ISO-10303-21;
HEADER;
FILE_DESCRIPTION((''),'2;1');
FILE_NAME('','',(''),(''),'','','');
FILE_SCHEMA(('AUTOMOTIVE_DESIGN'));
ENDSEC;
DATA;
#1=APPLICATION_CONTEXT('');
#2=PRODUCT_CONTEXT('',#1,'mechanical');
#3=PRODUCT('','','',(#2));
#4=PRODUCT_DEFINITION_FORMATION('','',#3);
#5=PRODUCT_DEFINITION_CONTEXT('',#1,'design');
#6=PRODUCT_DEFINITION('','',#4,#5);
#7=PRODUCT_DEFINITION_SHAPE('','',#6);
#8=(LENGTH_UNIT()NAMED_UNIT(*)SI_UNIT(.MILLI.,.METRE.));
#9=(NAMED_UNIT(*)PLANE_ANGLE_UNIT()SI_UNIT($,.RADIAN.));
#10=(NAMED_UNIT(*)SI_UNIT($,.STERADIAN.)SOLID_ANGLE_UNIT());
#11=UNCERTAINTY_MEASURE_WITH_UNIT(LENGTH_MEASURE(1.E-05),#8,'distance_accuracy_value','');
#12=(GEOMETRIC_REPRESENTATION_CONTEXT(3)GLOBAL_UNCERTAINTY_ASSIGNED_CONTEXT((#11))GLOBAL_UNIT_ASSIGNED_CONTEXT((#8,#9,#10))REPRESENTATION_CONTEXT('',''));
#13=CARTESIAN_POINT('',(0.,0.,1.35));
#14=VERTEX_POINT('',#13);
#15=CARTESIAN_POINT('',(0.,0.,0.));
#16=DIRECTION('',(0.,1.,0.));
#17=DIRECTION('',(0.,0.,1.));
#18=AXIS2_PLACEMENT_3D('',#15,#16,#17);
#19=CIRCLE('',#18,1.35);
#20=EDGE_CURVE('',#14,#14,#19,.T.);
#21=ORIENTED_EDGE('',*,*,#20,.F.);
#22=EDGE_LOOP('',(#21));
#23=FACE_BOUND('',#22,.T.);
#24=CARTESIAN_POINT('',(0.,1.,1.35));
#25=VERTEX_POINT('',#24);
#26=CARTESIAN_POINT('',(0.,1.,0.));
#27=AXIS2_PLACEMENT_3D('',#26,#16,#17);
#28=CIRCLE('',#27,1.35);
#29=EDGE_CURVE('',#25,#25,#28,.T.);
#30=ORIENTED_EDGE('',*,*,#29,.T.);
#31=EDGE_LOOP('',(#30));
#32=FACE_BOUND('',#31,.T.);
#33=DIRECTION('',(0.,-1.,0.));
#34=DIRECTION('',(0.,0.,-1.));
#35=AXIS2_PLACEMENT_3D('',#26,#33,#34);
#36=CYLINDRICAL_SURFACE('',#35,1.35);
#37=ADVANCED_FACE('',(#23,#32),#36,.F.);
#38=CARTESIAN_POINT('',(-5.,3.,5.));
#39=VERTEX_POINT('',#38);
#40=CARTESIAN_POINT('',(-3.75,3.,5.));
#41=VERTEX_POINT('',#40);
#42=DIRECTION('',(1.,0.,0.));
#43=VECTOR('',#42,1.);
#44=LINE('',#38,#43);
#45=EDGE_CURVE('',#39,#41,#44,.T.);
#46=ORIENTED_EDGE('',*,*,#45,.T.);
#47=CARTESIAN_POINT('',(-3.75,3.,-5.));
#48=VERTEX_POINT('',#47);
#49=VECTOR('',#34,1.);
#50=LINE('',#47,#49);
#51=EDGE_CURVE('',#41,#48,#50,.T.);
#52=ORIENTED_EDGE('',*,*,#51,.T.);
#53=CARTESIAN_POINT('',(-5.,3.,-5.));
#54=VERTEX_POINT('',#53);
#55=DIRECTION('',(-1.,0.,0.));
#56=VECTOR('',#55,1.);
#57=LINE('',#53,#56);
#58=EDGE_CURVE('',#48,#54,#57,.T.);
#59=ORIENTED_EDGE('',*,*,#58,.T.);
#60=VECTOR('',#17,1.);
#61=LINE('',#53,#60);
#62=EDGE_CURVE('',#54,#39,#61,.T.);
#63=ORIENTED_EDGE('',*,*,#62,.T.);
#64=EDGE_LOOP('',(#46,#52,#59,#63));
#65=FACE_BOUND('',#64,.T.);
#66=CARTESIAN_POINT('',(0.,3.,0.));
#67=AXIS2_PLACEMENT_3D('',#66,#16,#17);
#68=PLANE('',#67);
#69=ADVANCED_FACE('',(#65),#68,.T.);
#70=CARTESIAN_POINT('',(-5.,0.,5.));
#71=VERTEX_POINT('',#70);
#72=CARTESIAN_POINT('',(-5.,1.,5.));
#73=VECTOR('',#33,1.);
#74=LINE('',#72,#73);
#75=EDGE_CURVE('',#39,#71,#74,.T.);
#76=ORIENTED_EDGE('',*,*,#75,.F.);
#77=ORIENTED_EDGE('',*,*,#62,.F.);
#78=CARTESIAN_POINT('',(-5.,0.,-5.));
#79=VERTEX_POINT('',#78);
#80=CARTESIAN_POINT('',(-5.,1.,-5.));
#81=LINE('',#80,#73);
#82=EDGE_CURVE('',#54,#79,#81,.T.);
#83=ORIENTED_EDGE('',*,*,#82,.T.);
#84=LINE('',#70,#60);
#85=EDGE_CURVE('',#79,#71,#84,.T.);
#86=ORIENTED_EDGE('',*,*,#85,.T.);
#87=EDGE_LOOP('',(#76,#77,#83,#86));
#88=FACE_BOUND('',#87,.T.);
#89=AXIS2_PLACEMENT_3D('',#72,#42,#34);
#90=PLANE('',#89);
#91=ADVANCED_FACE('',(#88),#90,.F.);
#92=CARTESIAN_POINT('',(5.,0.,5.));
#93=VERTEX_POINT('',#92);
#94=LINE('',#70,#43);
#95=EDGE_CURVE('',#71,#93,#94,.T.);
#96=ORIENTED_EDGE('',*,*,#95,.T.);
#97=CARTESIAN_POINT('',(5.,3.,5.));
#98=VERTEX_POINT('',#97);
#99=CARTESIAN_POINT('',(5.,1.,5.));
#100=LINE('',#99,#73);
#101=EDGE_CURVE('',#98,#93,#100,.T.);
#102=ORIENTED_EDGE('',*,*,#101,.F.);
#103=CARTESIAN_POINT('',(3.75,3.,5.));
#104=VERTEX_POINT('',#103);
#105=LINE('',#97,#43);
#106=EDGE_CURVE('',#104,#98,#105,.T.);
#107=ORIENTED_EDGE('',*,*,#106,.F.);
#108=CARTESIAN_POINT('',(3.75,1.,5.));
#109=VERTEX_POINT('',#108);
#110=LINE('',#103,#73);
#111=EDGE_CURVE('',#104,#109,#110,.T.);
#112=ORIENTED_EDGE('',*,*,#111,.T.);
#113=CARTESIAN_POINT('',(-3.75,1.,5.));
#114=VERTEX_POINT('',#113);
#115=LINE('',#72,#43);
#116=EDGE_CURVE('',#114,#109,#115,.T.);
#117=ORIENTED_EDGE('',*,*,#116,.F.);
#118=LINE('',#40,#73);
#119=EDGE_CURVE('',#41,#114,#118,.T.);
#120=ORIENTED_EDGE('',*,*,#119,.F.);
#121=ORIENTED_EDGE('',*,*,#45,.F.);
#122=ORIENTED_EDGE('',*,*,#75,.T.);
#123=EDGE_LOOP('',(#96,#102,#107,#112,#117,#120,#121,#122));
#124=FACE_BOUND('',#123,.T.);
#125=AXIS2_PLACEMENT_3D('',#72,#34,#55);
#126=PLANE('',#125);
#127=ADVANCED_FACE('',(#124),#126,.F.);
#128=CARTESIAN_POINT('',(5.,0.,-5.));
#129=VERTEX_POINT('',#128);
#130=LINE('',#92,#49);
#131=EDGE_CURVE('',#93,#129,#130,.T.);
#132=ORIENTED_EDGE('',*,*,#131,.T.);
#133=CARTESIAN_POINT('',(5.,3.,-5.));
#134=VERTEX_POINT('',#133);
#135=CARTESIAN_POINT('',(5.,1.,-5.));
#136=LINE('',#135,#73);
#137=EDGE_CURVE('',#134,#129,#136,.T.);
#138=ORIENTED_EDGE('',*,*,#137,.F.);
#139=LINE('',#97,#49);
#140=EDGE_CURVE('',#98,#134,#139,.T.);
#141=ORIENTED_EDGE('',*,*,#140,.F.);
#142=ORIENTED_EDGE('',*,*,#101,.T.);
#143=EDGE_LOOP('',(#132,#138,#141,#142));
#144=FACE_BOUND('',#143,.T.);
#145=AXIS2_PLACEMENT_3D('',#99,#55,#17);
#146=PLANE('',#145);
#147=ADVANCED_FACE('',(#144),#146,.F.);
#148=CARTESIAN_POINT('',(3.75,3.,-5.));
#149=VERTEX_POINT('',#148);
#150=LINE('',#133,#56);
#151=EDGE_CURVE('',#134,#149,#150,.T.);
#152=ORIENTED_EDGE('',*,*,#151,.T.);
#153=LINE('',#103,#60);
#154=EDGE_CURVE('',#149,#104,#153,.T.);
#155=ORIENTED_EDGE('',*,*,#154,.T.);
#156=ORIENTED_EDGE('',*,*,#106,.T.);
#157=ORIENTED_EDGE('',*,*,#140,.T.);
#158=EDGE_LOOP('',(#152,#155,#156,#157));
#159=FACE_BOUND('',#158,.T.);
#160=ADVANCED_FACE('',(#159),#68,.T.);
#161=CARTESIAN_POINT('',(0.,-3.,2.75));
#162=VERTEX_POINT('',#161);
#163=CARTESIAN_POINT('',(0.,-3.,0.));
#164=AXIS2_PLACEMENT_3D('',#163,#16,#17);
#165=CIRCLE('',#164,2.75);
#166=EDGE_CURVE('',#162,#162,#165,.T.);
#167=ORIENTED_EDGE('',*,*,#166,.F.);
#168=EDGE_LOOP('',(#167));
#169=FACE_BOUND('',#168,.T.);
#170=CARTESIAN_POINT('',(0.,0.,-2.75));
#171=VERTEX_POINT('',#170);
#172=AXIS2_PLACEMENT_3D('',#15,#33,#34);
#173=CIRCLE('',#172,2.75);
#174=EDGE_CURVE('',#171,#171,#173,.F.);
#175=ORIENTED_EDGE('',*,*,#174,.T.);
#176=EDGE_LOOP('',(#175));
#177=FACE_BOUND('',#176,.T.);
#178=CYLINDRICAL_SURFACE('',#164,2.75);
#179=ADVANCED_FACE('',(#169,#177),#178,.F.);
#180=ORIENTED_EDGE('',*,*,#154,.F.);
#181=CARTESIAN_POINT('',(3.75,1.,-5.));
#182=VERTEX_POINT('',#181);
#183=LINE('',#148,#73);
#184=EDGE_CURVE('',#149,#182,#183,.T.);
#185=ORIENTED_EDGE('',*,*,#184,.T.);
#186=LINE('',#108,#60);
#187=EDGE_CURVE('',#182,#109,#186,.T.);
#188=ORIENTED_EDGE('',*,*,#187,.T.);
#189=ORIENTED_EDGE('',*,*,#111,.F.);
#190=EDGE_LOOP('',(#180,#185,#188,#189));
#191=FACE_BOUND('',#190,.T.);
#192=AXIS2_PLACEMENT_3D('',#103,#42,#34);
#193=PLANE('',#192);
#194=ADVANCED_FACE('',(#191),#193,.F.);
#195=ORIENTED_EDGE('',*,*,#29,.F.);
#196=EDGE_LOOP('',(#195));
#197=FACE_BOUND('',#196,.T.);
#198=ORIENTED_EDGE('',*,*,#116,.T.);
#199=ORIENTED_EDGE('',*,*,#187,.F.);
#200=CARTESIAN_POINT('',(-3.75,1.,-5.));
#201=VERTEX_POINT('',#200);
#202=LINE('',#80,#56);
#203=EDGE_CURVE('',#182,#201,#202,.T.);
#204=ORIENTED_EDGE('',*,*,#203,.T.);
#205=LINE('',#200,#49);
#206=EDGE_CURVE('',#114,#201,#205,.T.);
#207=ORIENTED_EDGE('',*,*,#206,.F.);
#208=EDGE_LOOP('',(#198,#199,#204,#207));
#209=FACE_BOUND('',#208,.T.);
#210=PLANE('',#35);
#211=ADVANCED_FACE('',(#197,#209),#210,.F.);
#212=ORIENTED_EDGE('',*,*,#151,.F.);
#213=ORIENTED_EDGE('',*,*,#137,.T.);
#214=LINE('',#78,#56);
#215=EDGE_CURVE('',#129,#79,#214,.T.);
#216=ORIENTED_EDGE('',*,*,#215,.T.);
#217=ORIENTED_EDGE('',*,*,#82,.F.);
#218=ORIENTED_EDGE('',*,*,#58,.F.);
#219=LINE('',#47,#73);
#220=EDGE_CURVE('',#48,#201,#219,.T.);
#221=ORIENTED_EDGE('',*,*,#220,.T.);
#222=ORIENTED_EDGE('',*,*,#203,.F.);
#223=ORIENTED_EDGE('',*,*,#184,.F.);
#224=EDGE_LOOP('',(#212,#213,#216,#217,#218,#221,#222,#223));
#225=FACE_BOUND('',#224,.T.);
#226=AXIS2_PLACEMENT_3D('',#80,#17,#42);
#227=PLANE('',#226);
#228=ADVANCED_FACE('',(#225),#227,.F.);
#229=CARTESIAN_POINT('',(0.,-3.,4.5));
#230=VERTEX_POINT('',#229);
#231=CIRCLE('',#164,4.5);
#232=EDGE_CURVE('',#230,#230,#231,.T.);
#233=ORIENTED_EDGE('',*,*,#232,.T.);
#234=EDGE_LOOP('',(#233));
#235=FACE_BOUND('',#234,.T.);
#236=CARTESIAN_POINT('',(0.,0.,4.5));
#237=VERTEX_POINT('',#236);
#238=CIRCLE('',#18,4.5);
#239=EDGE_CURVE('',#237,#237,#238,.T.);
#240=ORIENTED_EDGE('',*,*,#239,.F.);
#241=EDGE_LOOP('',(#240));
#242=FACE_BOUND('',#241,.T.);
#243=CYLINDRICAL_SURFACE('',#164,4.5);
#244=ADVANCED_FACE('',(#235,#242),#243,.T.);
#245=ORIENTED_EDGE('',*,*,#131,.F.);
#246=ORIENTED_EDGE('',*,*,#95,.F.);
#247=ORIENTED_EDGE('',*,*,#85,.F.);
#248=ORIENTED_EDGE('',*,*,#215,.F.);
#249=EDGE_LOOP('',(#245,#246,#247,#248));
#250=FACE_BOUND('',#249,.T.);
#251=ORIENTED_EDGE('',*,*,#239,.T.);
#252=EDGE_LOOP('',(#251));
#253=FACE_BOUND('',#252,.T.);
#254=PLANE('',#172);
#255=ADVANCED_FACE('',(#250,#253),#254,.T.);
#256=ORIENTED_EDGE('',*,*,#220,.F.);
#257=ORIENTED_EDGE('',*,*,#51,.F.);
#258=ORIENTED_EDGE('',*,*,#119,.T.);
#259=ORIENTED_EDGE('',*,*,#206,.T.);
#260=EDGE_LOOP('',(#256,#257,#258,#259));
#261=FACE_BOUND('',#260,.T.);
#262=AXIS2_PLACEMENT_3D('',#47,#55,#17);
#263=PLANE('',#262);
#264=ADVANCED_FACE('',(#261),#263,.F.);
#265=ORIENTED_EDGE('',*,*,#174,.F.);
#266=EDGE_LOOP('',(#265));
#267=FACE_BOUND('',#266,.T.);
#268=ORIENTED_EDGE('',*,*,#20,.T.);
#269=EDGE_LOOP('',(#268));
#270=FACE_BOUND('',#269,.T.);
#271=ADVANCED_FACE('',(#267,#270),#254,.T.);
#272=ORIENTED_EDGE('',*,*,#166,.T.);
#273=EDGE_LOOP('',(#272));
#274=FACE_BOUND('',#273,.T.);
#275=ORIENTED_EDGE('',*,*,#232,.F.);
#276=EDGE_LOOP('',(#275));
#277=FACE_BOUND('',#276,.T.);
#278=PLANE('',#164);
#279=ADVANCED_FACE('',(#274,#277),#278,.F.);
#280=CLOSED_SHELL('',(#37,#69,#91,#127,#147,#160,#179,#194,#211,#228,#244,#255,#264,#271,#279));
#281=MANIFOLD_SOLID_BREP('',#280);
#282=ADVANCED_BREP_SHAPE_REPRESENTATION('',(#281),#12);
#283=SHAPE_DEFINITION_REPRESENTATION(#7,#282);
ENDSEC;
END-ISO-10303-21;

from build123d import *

# Parameters (mm, degrees)
ESQUISSE1_R        = 4.5
ESQUISSE1_R_2      = 2.75
BOSS_EXTRU_1_DEPTH = 3
ESQUISSE3_W        = 10
ESQUISSE3_H        = 10
ESQUISSE3_R        = 1.35
BOSS_EXTRU_2_DEPTH = 1
ESQUISSE4_W        = 1.25
ESQUISSE4_H        = 10
BOSS_EXTRU_3_DEPTH = 2


with BuildPart() as part:
    # Esquisse1 → Boss.-Extru.1 (new body)
    with BuildSketch(Plane(origin=(0, 0, 0), x_dir=(1, 0, 0), z_dir=(0, 1, 0))):
        with Locations(Location((0, 0, 0), (0, 0, 270))):
            Circle(ESQUISSE1_R)
        with Locations(Location((0, 0, 0), (0, 0, 270))):
            Circle(ESQUISSE1_R_2, mode=Mode.SUBTRACT)
    extrude(amount=-BOSS_EXTRU_1_DEPTH)

    # Esquisse3 → Boss.-Extru.2 (add)
    with BuildSketch(Plane(origin=(0, 0, 0), x_dir=(1, 0, 0), z_dir=(0, 1, 0))):
        Rectangle(ESQUISSE3_W, ESQUISSE3_H)
        with Locations(Location((0, 0, 0), (0, 0, 270))):
            Circle(ESQUISSE3_R, mode=Mode.SUBTRACT)
    extrude(amount=BOSS_EXTRU_2_DEPTH)

    # Esquisse4 → Boss.-Extru.3 (add)
    with BuildSketch(Plane(origin=(0, 1, 0), x_dir=(1, 0, 0), z_dir=(0, 1, 0))):
        with Locations((-4.375, 0)):
            Rectangle(ESQUISSE4_W, ESQUISSE4_H)
        with Locations((4.375, 0)):
            Rectangle(ESQUISSE4_W, ESQUISSE4_H)
    extrude(amount=BOSS_EXTRU_3_DEPTH)


solid = part.part
